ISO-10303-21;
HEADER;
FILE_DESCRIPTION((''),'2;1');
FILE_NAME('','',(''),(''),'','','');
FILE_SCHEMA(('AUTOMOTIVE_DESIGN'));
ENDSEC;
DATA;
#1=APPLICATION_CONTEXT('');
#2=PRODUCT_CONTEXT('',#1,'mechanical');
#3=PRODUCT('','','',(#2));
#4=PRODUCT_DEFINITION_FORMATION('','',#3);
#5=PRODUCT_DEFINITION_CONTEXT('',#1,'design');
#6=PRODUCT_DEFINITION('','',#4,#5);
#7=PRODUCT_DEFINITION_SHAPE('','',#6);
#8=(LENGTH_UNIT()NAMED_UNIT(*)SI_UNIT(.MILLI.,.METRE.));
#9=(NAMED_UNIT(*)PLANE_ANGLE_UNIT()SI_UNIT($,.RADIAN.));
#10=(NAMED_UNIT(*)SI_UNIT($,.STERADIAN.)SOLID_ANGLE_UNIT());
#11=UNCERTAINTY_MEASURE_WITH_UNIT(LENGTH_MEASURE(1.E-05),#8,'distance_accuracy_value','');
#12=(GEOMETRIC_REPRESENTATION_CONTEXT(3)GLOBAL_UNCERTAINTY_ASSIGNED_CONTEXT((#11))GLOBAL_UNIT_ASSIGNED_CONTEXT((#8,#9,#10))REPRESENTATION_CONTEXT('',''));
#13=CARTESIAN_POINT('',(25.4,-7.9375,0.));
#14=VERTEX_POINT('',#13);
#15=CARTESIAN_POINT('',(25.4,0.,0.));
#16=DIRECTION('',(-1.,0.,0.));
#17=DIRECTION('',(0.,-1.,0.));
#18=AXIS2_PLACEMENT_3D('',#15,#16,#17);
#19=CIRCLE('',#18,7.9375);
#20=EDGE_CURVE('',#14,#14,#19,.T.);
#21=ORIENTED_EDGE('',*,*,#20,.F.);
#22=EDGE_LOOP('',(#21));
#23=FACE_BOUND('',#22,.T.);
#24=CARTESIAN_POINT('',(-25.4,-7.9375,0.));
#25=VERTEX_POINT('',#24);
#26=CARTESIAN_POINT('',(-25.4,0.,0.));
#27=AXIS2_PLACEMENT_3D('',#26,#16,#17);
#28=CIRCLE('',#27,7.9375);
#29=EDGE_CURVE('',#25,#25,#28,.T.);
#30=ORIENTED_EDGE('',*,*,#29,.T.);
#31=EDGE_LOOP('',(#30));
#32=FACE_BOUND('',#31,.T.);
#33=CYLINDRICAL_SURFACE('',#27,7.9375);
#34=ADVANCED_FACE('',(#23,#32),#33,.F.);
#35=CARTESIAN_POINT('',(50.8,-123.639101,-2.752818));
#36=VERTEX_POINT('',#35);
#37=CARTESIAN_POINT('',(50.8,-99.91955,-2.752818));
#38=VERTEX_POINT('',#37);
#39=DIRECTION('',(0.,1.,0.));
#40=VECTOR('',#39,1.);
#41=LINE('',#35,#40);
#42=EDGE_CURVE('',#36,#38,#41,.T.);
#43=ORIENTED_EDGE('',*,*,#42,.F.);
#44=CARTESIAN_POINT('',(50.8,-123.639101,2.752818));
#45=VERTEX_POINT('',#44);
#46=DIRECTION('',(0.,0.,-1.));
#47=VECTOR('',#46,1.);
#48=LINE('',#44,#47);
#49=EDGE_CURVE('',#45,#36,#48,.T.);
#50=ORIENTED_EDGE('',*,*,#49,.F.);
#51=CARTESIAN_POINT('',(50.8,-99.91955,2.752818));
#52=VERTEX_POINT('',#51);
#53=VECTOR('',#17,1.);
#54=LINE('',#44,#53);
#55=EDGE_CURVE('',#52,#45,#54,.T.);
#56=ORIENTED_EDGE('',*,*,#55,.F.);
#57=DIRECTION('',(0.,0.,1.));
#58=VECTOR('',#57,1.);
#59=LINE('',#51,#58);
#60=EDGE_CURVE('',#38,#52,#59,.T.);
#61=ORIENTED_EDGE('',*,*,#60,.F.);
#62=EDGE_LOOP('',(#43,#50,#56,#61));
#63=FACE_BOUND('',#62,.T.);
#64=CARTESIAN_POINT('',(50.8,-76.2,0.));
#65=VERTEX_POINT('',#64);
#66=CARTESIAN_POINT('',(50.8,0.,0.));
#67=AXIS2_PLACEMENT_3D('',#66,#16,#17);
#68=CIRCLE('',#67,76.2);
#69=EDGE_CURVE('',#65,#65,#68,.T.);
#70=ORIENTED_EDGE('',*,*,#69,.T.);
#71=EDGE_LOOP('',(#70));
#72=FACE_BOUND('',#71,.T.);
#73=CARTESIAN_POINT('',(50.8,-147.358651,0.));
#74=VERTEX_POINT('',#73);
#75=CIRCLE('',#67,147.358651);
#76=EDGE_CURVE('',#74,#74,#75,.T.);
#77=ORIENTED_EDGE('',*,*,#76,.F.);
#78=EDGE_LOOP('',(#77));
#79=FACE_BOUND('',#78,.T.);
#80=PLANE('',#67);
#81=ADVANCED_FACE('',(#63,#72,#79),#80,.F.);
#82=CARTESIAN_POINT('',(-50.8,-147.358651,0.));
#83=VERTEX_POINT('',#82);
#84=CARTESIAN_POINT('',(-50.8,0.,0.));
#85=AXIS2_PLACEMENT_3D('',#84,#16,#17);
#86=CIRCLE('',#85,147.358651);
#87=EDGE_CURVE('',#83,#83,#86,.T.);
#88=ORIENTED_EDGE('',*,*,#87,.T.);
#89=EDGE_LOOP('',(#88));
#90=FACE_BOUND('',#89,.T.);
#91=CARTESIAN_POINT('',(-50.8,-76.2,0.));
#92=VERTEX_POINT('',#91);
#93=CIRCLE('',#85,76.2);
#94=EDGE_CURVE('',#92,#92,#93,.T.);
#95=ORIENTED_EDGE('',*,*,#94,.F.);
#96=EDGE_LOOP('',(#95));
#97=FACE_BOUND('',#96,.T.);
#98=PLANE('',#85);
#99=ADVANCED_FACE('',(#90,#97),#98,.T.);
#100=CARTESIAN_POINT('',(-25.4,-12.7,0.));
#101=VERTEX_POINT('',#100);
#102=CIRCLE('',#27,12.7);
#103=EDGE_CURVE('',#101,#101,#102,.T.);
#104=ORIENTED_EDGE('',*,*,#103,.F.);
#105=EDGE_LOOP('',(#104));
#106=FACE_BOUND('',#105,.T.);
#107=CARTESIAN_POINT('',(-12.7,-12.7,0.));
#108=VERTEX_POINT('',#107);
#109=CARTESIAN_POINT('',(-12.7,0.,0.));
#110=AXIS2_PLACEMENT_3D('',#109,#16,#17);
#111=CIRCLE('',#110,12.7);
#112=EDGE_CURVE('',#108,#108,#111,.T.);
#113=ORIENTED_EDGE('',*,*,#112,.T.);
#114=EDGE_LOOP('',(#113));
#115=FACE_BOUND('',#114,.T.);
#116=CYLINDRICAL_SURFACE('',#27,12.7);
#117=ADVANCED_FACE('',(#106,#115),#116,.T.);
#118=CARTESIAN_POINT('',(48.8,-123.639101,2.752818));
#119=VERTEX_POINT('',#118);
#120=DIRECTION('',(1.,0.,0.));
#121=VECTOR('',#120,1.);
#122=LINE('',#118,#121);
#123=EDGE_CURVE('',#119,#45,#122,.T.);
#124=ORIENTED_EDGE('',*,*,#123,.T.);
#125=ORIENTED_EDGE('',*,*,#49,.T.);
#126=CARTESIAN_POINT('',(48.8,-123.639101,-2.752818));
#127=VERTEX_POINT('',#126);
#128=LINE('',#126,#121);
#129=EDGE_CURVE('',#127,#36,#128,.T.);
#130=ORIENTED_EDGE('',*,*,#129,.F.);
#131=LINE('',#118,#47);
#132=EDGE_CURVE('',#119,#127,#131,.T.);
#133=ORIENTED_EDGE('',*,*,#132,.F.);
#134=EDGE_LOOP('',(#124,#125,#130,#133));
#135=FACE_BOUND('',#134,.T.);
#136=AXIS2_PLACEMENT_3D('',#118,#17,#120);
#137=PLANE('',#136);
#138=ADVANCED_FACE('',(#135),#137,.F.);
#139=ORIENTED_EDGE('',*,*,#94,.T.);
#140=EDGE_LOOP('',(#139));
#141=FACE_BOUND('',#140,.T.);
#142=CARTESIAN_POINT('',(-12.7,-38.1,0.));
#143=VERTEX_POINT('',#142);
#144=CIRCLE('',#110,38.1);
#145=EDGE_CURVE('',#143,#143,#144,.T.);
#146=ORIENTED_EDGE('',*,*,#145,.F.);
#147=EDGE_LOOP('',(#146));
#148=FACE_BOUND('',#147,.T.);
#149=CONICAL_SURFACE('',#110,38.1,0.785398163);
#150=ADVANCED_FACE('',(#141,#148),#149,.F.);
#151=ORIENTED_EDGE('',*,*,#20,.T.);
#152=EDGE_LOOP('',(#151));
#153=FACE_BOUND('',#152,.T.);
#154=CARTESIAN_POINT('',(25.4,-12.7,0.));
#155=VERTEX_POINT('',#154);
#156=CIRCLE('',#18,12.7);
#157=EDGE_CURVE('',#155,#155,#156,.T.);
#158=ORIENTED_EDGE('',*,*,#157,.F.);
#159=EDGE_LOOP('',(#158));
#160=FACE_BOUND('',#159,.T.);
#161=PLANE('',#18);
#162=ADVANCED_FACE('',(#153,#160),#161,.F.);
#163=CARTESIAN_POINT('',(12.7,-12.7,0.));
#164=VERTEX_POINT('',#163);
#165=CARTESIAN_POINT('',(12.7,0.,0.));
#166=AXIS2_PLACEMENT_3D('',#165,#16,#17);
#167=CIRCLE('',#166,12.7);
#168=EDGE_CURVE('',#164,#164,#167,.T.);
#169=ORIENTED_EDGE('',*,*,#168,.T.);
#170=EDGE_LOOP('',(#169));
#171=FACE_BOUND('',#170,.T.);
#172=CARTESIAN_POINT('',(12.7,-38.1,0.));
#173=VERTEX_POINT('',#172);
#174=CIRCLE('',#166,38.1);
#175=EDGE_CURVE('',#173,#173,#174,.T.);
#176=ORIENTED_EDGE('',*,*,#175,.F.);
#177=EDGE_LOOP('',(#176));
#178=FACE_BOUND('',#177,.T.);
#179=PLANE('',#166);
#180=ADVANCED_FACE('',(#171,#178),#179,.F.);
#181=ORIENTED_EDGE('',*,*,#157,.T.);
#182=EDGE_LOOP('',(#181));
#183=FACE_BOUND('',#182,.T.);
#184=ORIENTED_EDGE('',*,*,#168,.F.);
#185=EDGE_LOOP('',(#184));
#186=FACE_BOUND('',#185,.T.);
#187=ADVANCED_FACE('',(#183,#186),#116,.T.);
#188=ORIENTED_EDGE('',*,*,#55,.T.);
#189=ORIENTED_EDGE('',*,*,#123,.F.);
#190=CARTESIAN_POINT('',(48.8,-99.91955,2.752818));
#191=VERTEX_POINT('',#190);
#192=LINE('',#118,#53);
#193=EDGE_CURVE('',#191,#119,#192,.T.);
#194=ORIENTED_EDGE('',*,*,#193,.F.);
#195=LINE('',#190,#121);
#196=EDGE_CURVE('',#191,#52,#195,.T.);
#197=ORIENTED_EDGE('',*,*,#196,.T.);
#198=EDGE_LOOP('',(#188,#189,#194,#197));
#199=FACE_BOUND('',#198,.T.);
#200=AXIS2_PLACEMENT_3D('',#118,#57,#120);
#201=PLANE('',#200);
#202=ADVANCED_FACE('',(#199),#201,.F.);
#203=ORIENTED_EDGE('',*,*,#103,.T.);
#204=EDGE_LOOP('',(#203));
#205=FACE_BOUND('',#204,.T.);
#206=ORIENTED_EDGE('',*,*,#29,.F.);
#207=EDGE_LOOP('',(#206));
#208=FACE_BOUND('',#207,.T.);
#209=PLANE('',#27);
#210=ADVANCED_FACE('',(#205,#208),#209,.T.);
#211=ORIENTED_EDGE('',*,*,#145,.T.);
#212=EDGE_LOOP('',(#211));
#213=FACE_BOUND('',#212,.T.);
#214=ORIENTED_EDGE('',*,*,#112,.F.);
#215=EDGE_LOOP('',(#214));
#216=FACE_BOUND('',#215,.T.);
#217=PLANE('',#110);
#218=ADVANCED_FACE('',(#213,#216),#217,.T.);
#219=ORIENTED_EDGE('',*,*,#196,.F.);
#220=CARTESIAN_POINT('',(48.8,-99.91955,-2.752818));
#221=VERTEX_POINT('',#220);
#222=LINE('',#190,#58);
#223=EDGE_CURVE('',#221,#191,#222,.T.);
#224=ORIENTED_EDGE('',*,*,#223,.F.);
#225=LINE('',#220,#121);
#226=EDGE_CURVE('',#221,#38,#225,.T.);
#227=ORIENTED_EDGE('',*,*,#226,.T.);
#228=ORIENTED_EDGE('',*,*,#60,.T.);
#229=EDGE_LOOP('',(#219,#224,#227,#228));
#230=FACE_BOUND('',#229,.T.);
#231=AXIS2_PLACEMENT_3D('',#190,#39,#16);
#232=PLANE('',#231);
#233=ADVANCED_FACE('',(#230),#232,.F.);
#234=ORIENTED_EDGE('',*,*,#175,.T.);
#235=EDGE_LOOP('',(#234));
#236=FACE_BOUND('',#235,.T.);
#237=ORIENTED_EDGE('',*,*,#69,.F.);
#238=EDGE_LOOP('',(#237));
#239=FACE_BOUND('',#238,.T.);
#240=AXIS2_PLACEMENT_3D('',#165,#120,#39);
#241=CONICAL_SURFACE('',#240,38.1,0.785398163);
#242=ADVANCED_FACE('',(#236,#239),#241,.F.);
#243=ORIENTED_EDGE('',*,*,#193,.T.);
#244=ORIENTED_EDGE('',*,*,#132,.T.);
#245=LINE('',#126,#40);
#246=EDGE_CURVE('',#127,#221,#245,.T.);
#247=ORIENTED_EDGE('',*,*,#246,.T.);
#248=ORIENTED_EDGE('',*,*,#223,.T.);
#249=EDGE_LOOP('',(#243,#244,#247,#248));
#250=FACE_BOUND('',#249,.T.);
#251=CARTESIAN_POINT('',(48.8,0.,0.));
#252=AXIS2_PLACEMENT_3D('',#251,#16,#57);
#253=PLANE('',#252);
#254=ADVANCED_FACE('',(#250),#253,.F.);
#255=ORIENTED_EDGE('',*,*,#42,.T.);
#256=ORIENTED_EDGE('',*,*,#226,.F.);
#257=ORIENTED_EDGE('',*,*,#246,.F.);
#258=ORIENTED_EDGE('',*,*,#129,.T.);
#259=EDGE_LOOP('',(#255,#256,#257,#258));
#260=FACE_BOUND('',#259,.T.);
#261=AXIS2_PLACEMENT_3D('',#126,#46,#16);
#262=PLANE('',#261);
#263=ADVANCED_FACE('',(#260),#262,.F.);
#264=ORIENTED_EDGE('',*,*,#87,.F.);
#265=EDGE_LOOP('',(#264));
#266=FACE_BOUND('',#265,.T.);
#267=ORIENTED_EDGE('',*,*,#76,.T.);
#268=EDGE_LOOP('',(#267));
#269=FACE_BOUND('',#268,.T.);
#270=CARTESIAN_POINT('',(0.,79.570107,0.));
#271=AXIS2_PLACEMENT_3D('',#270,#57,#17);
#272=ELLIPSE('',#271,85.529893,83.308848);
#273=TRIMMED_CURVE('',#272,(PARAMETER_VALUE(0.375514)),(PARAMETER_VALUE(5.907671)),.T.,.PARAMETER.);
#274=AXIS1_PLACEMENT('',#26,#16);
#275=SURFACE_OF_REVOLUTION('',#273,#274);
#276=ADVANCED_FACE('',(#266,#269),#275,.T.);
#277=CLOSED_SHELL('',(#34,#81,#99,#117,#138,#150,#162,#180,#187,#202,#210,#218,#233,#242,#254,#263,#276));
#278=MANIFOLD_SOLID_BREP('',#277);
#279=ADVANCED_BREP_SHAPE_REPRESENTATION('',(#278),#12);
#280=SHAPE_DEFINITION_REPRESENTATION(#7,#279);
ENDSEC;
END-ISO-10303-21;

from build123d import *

# Parameters (mm, degrees)
SKETCH8_W          = 5.505636966
SKETCH8_H          = 23.71955036
CUT_EXTRUDE1_DEPTH = 2


with BuildPart() as part:
    # Sketch7 → Revolve6 (revolve)
    with BuildSketch(Plane.XY, mode=Mode.PRIVATE) as revolve6_sk:
        with BuildLine():
            Line((50.8, 76.2), (50.8, 147.35865108))
            add(Edge.make_bspline(
                [(50.8, 147.35865108), (0, 187.484544424), (-50.8, 147.35865108)],
                knots=[2.485810722, 2.485810722, 2.485810722, 3.797374586, 3.797374586, 3.797374586], degree=2, weights=[1, 0.792571365, 1]))
            Line((-50.8, 147.35865108), (-50.8, 76.2))
            Line((-50.8, 76.2), (-12.7, 38.1))
            Line((-12.7, 38.1), (-12.7, 12.7))
            Line((-12.7, 12.7), (-25.4, 12.7))
            Line((-25.4, 12.7), (-25.4, 7.9375))
            Line((-25.4, 7.9375), (25.4, 7.9375))
            Line((25.4, 7.9375), (25.4, 12.7))
            Line((25.4, 12.7), (12.7, 12.7))
            Line((12.7, 12.7), (12.7, 38.1))
            Line((12.7, 38.1), (50.8, 76.2))
        make_face()
    revolve(revolve6_sk.sketch.rotate(Axis((-25.4, 0, 0), (1, 0, 0)), 180), axis=Axis((-25.4, 0, 0), (1, 0, 0)))

    # Sketch8 → Cut-Extrude1 (cut)
    with BuildSketch(Plane(origin=(50.8, 0, 0), x_dir=(0, 0, -1), z_dir=(1, 0, 0))):
        with Locations((0, -111.77932554)):
            Rectangle(SKETCH8_W, SKETCH8_H)
    extrude(amount=-CUT_EXTRUDE1_DEPTH, mode=Mode.SUBTRACT)


solid = part.part
